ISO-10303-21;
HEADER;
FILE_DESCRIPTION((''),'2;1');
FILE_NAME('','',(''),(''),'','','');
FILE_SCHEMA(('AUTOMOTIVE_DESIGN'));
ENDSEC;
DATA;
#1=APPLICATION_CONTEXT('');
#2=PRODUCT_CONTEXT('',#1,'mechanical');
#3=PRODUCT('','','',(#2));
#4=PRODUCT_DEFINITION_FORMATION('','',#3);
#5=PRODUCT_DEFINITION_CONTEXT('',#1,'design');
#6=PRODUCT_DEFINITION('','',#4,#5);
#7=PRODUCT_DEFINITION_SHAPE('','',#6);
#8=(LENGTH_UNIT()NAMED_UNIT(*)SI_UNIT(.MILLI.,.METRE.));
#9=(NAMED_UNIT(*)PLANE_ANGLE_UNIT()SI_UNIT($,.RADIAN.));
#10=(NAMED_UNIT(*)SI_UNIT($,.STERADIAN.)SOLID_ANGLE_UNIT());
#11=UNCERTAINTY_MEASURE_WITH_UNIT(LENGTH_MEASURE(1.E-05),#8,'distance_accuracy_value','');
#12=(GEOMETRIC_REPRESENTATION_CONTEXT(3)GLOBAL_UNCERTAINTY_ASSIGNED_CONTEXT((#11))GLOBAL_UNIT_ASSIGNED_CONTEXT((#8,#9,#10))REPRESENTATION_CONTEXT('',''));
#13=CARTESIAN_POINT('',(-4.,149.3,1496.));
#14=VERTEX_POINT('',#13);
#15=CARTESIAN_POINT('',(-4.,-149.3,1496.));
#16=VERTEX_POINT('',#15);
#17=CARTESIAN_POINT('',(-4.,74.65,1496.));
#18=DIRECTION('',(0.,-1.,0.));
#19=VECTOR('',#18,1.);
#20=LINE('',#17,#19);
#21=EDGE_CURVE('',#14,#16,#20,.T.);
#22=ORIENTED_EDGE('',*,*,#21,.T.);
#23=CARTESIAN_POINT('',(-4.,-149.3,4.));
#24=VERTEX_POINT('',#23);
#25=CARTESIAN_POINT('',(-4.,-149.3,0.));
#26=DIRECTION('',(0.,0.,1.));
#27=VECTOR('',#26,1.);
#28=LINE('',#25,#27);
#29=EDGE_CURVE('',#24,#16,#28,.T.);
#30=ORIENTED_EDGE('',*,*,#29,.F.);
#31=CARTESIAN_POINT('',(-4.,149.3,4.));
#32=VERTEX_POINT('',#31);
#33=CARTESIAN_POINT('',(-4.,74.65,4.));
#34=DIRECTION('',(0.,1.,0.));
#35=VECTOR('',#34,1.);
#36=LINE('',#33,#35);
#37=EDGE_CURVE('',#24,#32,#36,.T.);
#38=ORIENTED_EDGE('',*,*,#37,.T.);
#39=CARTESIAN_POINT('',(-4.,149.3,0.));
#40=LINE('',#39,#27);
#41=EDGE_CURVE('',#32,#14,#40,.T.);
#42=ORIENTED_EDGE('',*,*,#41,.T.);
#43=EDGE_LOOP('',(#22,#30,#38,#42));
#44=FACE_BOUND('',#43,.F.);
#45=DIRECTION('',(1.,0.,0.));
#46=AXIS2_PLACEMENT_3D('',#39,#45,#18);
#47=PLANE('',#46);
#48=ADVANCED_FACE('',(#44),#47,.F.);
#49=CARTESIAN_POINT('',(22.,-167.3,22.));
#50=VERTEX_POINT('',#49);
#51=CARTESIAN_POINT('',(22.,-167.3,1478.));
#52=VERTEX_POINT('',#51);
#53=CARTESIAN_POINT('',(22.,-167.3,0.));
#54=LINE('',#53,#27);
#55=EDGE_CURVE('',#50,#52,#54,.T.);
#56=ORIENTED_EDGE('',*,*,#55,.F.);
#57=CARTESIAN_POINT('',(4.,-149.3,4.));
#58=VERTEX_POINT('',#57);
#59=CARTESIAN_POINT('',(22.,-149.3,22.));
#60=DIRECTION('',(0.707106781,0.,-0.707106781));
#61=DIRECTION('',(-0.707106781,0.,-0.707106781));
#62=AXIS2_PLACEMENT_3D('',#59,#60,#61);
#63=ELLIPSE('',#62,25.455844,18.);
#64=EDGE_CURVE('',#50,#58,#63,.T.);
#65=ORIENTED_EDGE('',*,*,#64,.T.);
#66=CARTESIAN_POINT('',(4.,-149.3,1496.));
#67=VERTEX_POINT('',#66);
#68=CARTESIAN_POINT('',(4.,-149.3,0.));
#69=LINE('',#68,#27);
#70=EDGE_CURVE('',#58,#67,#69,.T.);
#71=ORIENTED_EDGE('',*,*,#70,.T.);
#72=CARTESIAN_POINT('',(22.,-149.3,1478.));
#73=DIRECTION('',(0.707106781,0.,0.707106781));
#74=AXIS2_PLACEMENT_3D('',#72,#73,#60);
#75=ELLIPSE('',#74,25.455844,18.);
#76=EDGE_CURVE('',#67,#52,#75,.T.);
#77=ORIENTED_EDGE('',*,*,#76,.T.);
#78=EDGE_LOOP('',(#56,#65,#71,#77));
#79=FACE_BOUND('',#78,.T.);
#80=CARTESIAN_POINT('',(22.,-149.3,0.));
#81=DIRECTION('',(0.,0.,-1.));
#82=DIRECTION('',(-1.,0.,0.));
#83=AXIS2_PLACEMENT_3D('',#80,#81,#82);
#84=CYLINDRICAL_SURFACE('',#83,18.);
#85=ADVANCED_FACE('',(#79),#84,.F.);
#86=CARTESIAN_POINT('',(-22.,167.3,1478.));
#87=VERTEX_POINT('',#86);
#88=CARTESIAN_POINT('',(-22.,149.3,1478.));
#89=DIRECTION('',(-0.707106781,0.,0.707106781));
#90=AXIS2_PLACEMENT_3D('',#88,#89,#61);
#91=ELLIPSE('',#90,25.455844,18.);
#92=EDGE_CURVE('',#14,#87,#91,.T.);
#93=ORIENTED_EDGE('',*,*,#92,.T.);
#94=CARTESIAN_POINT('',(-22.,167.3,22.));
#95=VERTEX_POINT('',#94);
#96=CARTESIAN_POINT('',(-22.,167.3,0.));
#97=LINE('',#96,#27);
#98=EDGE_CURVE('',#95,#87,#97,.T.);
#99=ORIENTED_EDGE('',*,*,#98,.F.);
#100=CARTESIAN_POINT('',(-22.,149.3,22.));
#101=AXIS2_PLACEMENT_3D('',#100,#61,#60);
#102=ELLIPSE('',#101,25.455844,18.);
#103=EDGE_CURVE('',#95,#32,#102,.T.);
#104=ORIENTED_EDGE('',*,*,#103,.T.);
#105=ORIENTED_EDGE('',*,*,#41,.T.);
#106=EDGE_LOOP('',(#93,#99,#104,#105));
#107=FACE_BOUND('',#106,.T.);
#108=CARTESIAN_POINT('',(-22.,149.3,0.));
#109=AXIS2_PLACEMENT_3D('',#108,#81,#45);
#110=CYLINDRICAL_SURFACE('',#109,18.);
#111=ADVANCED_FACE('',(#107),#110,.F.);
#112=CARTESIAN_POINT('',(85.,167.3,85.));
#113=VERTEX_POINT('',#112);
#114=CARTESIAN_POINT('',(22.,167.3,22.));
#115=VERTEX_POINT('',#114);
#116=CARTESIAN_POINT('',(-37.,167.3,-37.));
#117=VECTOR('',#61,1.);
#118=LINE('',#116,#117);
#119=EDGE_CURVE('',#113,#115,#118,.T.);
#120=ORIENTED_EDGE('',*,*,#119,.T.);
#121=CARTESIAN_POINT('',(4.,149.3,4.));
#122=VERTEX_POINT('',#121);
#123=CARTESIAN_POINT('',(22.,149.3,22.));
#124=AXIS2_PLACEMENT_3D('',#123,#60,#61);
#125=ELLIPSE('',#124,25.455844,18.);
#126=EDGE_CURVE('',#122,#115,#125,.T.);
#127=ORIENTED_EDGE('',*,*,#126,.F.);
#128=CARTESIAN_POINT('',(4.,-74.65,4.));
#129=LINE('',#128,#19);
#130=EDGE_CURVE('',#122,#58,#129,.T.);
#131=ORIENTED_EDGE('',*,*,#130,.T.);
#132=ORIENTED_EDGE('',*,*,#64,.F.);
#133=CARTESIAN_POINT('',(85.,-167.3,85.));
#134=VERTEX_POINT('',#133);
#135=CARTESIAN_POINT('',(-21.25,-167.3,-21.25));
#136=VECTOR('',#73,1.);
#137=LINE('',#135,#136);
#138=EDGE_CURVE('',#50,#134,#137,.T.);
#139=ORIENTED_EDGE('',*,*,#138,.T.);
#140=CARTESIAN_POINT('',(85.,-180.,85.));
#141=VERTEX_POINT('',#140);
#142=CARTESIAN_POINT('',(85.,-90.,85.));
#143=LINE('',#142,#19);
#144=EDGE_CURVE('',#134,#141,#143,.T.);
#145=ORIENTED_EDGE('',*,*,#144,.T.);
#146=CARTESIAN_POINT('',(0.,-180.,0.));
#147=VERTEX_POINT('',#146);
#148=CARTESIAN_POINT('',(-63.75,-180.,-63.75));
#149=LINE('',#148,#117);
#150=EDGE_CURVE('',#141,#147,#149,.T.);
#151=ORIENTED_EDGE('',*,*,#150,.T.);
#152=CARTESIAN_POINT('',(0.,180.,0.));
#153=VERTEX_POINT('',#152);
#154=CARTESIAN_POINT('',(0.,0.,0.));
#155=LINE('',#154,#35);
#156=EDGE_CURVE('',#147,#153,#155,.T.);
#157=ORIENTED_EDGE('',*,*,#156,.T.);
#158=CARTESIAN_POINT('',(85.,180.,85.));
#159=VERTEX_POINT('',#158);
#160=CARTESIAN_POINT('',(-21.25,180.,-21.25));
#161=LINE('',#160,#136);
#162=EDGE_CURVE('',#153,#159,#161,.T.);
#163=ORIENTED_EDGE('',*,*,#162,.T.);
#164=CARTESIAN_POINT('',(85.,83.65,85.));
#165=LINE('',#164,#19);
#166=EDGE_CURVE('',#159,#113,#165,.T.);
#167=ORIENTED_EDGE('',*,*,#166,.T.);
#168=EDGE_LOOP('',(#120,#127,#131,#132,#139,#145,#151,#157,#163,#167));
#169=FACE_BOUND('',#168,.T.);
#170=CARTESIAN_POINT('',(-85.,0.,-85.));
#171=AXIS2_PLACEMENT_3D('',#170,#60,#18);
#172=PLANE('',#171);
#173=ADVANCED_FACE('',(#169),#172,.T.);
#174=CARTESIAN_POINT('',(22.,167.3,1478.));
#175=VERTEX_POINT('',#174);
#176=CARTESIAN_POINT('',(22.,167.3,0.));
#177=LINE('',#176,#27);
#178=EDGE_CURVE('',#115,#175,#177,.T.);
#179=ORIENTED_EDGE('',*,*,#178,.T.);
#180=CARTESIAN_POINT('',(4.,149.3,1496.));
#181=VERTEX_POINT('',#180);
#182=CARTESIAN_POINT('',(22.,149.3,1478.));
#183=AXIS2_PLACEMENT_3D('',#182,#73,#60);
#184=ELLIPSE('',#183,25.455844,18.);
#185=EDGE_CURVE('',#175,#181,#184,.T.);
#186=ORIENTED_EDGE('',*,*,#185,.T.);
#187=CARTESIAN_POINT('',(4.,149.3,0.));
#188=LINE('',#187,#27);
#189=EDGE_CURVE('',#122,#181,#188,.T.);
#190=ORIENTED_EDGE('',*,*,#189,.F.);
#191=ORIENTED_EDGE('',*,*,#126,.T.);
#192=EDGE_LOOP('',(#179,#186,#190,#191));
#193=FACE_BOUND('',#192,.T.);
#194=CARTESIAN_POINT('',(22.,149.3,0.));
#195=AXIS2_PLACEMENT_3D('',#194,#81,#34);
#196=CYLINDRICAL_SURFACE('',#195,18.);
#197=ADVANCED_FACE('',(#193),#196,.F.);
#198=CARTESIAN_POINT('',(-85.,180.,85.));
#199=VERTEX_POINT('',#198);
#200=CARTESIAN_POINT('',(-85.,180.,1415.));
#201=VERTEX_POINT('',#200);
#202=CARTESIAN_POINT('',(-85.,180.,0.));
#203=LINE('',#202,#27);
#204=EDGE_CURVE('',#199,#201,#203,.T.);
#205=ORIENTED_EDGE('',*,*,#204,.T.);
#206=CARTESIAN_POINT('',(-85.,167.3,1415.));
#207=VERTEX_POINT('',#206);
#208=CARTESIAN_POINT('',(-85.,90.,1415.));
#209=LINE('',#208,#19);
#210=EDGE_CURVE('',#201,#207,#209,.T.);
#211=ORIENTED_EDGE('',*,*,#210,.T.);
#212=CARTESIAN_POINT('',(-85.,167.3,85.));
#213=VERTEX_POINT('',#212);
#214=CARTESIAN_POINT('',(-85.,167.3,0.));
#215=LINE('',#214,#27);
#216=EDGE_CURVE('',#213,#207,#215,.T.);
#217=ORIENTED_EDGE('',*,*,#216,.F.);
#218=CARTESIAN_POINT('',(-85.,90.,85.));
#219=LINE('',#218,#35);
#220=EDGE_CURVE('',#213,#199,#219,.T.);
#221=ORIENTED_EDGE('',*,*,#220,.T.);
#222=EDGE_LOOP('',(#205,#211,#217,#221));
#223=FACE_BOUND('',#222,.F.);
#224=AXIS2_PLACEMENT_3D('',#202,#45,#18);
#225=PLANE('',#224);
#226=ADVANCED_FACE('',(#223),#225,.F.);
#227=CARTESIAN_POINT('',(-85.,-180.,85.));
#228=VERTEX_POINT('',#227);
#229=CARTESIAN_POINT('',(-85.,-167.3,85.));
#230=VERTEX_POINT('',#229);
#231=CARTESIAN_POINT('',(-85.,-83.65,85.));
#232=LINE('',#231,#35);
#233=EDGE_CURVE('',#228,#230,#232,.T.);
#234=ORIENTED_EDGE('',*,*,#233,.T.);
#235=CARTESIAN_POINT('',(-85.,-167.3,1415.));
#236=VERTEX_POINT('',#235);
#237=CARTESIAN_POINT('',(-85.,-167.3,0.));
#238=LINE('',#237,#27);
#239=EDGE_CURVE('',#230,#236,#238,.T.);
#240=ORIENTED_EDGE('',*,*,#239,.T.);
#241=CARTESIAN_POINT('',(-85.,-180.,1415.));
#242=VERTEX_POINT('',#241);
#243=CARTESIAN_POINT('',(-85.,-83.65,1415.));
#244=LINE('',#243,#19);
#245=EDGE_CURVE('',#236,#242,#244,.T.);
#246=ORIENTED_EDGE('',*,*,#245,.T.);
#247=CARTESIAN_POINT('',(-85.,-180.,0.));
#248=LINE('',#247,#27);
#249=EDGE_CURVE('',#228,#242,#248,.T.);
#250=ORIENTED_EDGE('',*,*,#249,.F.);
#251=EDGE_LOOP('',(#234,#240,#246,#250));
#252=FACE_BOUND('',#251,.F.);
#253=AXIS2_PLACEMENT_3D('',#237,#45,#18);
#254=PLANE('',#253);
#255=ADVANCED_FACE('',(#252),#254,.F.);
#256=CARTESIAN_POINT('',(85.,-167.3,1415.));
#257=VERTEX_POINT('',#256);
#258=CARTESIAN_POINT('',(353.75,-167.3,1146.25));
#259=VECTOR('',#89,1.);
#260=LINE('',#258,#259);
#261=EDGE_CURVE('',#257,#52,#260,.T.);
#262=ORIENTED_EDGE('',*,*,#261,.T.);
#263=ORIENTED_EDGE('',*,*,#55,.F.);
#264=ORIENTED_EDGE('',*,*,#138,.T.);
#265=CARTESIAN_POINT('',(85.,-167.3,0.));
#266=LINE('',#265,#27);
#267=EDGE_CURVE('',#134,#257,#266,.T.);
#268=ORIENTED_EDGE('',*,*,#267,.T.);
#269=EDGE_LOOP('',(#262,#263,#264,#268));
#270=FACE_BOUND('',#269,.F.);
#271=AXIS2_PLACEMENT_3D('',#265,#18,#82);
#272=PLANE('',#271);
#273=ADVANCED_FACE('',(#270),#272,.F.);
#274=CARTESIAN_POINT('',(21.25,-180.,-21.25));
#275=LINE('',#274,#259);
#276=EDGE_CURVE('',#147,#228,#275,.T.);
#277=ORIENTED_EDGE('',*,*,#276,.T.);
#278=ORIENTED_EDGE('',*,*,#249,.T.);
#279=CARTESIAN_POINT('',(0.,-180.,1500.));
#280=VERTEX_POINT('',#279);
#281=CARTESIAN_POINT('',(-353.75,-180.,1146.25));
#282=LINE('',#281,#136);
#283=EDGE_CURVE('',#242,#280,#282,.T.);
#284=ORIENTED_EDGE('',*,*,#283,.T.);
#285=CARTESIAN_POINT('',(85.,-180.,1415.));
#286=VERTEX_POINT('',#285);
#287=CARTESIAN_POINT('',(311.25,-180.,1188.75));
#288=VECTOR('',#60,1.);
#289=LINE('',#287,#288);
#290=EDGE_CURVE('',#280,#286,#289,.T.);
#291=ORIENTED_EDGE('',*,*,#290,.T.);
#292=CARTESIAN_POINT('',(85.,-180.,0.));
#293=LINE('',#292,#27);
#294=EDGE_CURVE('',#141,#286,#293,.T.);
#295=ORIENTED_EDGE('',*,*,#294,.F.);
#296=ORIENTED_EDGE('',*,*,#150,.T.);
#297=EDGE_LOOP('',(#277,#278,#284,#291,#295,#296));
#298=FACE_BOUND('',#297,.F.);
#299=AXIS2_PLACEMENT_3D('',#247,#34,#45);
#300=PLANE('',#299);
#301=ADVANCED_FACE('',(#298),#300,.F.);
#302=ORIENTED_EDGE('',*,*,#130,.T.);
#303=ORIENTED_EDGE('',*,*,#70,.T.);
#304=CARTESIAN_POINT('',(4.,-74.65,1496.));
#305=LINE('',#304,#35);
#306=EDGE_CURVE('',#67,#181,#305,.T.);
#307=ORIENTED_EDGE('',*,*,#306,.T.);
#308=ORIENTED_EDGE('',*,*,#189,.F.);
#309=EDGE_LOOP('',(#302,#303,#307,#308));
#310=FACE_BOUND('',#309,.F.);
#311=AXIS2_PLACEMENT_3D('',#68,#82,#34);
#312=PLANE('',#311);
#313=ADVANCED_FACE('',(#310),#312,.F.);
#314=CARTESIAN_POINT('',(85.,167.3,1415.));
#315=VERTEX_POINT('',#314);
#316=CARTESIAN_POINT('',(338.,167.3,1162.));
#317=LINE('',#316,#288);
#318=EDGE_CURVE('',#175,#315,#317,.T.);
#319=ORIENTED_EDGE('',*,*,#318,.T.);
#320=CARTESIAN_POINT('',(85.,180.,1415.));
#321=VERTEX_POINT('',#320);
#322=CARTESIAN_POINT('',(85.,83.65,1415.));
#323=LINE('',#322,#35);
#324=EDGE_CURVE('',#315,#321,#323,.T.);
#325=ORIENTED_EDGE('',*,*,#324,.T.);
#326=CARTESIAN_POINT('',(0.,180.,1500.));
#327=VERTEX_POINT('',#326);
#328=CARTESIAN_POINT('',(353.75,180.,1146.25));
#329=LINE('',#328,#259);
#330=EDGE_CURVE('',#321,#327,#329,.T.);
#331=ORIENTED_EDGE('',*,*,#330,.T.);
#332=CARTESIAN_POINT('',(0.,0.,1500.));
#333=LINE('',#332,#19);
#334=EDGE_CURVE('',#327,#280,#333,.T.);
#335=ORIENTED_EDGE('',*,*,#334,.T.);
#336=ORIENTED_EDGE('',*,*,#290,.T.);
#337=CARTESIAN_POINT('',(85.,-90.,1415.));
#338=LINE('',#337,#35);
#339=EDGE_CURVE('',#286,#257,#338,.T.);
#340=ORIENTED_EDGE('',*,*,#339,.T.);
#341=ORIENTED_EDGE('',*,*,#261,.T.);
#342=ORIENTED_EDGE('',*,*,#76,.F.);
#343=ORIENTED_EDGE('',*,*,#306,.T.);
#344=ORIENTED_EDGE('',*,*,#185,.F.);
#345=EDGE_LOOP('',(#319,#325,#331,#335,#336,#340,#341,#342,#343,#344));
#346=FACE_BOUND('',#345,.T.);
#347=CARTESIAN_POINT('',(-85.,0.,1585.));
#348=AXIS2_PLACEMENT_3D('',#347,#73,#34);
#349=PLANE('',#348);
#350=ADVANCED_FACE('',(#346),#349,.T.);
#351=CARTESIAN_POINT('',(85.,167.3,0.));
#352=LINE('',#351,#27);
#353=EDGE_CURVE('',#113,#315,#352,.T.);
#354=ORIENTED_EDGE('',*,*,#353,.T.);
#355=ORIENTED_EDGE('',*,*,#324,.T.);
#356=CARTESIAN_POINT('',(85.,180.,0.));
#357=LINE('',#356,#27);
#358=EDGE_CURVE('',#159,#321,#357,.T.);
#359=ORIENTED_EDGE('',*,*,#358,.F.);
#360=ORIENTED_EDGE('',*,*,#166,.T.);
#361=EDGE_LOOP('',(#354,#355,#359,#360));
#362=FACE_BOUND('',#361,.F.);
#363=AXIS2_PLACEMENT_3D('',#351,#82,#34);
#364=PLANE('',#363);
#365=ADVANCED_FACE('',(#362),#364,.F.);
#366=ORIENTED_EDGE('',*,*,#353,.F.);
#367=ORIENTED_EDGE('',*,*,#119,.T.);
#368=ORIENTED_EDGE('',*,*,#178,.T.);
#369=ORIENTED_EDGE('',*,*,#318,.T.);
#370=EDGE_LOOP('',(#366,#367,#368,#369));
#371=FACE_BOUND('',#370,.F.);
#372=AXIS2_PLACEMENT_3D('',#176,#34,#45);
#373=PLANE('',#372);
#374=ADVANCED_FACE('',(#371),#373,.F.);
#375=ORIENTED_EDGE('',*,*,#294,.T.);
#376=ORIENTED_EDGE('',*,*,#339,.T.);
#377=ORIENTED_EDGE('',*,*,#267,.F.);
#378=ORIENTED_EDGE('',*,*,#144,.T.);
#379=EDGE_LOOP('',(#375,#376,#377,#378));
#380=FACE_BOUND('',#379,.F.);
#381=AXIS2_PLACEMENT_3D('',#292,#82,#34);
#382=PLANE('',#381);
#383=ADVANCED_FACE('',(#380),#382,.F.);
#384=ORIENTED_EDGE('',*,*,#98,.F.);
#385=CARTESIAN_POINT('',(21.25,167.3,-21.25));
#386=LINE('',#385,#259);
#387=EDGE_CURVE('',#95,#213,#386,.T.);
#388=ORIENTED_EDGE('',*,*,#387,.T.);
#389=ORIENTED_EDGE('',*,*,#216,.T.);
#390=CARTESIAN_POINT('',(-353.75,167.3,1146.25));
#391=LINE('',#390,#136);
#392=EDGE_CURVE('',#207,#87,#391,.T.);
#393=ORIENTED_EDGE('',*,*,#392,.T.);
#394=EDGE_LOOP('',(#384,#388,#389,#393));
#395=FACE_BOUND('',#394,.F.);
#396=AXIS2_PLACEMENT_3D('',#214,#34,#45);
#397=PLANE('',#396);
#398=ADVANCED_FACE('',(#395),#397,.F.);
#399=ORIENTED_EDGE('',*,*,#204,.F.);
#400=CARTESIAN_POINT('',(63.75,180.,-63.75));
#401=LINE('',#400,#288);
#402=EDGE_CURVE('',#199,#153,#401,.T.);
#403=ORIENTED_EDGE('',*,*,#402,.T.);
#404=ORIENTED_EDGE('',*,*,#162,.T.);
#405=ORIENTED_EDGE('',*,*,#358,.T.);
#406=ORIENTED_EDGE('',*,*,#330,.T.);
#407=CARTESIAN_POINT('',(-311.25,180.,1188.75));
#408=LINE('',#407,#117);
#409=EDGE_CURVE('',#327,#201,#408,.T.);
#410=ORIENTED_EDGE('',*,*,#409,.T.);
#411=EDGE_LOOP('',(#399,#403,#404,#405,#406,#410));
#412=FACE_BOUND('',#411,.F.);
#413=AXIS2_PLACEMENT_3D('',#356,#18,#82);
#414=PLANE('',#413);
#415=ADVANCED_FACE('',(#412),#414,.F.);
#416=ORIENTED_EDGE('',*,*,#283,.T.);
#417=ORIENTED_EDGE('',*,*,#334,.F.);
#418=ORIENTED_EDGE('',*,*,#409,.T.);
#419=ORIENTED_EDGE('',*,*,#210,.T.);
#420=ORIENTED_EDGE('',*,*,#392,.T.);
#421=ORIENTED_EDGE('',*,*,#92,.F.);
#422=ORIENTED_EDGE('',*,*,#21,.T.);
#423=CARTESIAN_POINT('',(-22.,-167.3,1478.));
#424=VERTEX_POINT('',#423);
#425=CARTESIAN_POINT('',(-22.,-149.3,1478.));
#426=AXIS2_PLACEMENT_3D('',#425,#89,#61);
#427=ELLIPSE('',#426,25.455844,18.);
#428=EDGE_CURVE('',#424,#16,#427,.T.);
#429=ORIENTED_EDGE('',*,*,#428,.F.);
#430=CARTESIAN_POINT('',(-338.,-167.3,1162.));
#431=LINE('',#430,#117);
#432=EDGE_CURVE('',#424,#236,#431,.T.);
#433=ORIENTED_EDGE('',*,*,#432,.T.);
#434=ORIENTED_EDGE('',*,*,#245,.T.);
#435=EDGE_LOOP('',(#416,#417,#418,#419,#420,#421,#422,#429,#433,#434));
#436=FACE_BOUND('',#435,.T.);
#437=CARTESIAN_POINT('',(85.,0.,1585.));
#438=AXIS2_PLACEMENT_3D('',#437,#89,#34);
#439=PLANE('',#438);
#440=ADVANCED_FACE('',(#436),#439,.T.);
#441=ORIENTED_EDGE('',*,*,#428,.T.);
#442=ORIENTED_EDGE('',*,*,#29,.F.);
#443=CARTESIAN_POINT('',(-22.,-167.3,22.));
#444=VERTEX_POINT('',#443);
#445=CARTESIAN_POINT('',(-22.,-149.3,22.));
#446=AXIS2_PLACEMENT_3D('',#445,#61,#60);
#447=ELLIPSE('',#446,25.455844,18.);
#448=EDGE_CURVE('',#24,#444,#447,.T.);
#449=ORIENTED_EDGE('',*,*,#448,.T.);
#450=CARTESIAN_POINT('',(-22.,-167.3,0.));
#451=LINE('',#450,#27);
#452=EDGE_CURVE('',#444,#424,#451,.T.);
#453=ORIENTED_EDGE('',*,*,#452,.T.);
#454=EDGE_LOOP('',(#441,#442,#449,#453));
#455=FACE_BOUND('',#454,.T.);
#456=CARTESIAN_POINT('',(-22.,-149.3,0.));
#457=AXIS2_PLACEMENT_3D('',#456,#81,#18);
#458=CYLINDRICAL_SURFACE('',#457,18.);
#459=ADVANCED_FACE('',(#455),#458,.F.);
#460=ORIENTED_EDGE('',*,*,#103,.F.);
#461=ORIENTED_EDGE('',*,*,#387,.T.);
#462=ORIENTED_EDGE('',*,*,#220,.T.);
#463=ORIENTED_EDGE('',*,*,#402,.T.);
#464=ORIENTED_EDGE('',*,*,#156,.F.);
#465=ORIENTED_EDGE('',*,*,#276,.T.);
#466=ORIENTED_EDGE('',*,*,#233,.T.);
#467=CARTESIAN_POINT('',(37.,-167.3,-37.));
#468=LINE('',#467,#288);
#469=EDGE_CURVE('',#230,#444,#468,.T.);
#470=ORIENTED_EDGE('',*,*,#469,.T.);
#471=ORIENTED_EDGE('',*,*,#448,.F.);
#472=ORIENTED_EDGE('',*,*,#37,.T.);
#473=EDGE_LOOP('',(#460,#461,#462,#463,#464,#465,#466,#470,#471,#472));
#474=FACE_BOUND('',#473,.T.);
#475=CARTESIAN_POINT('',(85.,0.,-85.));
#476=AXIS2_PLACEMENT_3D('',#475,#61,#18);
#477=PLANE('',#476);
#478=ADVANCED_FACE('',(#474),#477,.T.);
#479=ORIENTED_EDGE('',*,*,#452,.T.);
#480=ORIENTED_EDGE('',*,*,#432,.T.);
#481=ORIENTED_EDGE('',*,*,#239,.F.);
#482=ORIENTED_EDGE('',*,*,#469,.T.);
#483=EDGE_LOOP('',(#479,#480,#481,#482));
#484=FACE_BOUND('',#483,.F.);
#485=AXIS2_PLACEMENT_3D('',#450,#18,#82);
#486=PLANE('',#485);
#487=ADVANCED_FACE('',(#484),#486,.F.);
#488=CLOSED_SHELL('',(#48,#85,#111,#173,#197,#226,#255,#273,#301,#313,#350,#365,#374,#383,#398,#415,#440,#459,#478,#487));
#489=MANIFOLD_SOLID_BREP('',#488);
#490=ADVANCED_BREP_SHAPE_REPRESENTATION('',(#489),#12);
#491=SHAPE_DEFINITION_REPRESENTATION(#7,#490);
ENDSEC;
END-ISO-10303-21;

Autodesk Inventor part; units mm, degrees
ref_plane "Start Plane" through (0, 0, 0) normal (0, 0, 1) x (1, 0, 0)
ref_plane "End Plane" through (0, 0, 1500) normal (0, 0, 1) x (1, 0, 0)
sketch "Sketch" plane through (0, 0, 0) normal (0, 0, 1) x (1, 0, 0)
  line L0 (-85, 167.3) -> (-22, 167.3)
  line L1 (-85, 180) -> (-85, 167.3)
  line L2 (85, 180) -> (-85, 180)
  line L3 (85, 167.3) -> (85, 180)
  line L4 (22, 167.3) -> (85, 167.3)
  line L5 (4, -149.3) -> (4, 149.3)
  line L6 (85, -167.3) -> (22, -167.3)
  line L7 (85, -180) -> (85, -167.3)
  line L8 (-85, -167.3) -> (-85, -180)
  line L9 (-22, -167.3) -> (-85, -167.3)
  line L10 (-4, 149.3) -> (-4, -149.3)
  line L11 (0, -252) -> (0, 252) construction
  line L12 (-4, -167.3) -> (4, -167.3) construction
  arc A0 (-22, -167.3) -> (-4, -149.3) centre (-22, -149.3) ccw
  arc A1 (-4, 149.3) -> (-22, 167.3) centre (-22, 149.3) ccw
  arc A2 (22, 167.3) -> (4, 149.3) centre (22, 149.3) ccw
  arc A3 (4, -149.3) -> (22, -167.3) centre (22, -149.3) ccw
  line L13 (-119, 0) -> (119, 0) construction
  line L14 (-85, -180) -> (85, -180)
  point P0 (-4, 167.3)
  point P1 (4, 167.3)
  point P2 (0, 0)
  point P3 (0, -167.3)
  point P4 (0, 0)
  dimension "d1" = 360
  dimension "d3" = 12.7
  dimension "d5" = 8
  dimension "d7" = 170
  dimension "d13" = 18
  dimension "d14" = 180
  dimension "d15" = 85
extrude "Body" add sketch "Sketch" along normal up to surface (1500 mm away) from surface at 0
sketch "Sketch3" plane through (0, 0, 0) normal (0, 0, 1) x (1, 0, 0)
  line L0 (0, 0) -> (10, 0)
ref_plane "Work Plane3" through (0, 0, 0) normal (0, -1, 0) x (1, 0, 0)
ref_plane "Work Plane4" through (85, 0, 1585) normal (-0.7071, 0, 0.7071) x (0.7071, 0, 0.7071)
split "Split1" plane through (85, 0, 1585) removes the side toward (-0.7071, 0, 0.7071)
ref_plane "Work Plane5" through (-85, 0, 1585) normal (0.7071, 0, 0.7071) x (0.7071, 0, -0.7071)
split "Split2" plane through (-85, 0, 1585) removes the side toward (0.7071, 0, 0.7071)
ref_plane "Work Plane6" through (-85, 0, -85) normal (0.7071, 0, -0.7071) x (-0.7071, 0, -0.7071)
split "Split3" plane through (-85, 0, -85) removes the side toward (0.7071, 0, -0.7071)
ref_plane "Work Plane7" through (85, 0, -85) normal (-0.7071, 0, -0.7071) x (-0.7071, 0, 0.7071)
split "Split4" plane through (85, 0, -85) removes the side toward (-0.7071, 0, -0.7071)
sketch "Sketch4" plane through (0, 0, 0) normal (0, -1, 0) x (1, 0, 0)
  line L0 (-2, 0) -> (12, 0) projected
  line L1 (-2, 1500) -> (12, 1500) projected
  dimension "d19" = 1500
equation "\"d1\" = ParH"
equation "\"d3\" = t2"
equation "\"d5\" = t1"
equation "\"d7\" = b"
equation "\"d13\" = R1"
equation "\"d14\" = 0.5 * d1"
equation "\"d15\" = 0.5 * d7"
equation "\"d8\" = G_L"
equation "\"b\" = 170"
equation "\"ParH\" = 360"
equation "\"R1\" = 18"
equation "\"G_L\" = d19"
equation "\"t1\" = 8"
equation "\"t2\" = 12.7"
equation "\"G_OFFSET_START\" = 0"
equation "\"G_OFFSET_END\" = 0"
properties part number "DIN 1025 - IPE 360-1500" material "Steel, Mild"
